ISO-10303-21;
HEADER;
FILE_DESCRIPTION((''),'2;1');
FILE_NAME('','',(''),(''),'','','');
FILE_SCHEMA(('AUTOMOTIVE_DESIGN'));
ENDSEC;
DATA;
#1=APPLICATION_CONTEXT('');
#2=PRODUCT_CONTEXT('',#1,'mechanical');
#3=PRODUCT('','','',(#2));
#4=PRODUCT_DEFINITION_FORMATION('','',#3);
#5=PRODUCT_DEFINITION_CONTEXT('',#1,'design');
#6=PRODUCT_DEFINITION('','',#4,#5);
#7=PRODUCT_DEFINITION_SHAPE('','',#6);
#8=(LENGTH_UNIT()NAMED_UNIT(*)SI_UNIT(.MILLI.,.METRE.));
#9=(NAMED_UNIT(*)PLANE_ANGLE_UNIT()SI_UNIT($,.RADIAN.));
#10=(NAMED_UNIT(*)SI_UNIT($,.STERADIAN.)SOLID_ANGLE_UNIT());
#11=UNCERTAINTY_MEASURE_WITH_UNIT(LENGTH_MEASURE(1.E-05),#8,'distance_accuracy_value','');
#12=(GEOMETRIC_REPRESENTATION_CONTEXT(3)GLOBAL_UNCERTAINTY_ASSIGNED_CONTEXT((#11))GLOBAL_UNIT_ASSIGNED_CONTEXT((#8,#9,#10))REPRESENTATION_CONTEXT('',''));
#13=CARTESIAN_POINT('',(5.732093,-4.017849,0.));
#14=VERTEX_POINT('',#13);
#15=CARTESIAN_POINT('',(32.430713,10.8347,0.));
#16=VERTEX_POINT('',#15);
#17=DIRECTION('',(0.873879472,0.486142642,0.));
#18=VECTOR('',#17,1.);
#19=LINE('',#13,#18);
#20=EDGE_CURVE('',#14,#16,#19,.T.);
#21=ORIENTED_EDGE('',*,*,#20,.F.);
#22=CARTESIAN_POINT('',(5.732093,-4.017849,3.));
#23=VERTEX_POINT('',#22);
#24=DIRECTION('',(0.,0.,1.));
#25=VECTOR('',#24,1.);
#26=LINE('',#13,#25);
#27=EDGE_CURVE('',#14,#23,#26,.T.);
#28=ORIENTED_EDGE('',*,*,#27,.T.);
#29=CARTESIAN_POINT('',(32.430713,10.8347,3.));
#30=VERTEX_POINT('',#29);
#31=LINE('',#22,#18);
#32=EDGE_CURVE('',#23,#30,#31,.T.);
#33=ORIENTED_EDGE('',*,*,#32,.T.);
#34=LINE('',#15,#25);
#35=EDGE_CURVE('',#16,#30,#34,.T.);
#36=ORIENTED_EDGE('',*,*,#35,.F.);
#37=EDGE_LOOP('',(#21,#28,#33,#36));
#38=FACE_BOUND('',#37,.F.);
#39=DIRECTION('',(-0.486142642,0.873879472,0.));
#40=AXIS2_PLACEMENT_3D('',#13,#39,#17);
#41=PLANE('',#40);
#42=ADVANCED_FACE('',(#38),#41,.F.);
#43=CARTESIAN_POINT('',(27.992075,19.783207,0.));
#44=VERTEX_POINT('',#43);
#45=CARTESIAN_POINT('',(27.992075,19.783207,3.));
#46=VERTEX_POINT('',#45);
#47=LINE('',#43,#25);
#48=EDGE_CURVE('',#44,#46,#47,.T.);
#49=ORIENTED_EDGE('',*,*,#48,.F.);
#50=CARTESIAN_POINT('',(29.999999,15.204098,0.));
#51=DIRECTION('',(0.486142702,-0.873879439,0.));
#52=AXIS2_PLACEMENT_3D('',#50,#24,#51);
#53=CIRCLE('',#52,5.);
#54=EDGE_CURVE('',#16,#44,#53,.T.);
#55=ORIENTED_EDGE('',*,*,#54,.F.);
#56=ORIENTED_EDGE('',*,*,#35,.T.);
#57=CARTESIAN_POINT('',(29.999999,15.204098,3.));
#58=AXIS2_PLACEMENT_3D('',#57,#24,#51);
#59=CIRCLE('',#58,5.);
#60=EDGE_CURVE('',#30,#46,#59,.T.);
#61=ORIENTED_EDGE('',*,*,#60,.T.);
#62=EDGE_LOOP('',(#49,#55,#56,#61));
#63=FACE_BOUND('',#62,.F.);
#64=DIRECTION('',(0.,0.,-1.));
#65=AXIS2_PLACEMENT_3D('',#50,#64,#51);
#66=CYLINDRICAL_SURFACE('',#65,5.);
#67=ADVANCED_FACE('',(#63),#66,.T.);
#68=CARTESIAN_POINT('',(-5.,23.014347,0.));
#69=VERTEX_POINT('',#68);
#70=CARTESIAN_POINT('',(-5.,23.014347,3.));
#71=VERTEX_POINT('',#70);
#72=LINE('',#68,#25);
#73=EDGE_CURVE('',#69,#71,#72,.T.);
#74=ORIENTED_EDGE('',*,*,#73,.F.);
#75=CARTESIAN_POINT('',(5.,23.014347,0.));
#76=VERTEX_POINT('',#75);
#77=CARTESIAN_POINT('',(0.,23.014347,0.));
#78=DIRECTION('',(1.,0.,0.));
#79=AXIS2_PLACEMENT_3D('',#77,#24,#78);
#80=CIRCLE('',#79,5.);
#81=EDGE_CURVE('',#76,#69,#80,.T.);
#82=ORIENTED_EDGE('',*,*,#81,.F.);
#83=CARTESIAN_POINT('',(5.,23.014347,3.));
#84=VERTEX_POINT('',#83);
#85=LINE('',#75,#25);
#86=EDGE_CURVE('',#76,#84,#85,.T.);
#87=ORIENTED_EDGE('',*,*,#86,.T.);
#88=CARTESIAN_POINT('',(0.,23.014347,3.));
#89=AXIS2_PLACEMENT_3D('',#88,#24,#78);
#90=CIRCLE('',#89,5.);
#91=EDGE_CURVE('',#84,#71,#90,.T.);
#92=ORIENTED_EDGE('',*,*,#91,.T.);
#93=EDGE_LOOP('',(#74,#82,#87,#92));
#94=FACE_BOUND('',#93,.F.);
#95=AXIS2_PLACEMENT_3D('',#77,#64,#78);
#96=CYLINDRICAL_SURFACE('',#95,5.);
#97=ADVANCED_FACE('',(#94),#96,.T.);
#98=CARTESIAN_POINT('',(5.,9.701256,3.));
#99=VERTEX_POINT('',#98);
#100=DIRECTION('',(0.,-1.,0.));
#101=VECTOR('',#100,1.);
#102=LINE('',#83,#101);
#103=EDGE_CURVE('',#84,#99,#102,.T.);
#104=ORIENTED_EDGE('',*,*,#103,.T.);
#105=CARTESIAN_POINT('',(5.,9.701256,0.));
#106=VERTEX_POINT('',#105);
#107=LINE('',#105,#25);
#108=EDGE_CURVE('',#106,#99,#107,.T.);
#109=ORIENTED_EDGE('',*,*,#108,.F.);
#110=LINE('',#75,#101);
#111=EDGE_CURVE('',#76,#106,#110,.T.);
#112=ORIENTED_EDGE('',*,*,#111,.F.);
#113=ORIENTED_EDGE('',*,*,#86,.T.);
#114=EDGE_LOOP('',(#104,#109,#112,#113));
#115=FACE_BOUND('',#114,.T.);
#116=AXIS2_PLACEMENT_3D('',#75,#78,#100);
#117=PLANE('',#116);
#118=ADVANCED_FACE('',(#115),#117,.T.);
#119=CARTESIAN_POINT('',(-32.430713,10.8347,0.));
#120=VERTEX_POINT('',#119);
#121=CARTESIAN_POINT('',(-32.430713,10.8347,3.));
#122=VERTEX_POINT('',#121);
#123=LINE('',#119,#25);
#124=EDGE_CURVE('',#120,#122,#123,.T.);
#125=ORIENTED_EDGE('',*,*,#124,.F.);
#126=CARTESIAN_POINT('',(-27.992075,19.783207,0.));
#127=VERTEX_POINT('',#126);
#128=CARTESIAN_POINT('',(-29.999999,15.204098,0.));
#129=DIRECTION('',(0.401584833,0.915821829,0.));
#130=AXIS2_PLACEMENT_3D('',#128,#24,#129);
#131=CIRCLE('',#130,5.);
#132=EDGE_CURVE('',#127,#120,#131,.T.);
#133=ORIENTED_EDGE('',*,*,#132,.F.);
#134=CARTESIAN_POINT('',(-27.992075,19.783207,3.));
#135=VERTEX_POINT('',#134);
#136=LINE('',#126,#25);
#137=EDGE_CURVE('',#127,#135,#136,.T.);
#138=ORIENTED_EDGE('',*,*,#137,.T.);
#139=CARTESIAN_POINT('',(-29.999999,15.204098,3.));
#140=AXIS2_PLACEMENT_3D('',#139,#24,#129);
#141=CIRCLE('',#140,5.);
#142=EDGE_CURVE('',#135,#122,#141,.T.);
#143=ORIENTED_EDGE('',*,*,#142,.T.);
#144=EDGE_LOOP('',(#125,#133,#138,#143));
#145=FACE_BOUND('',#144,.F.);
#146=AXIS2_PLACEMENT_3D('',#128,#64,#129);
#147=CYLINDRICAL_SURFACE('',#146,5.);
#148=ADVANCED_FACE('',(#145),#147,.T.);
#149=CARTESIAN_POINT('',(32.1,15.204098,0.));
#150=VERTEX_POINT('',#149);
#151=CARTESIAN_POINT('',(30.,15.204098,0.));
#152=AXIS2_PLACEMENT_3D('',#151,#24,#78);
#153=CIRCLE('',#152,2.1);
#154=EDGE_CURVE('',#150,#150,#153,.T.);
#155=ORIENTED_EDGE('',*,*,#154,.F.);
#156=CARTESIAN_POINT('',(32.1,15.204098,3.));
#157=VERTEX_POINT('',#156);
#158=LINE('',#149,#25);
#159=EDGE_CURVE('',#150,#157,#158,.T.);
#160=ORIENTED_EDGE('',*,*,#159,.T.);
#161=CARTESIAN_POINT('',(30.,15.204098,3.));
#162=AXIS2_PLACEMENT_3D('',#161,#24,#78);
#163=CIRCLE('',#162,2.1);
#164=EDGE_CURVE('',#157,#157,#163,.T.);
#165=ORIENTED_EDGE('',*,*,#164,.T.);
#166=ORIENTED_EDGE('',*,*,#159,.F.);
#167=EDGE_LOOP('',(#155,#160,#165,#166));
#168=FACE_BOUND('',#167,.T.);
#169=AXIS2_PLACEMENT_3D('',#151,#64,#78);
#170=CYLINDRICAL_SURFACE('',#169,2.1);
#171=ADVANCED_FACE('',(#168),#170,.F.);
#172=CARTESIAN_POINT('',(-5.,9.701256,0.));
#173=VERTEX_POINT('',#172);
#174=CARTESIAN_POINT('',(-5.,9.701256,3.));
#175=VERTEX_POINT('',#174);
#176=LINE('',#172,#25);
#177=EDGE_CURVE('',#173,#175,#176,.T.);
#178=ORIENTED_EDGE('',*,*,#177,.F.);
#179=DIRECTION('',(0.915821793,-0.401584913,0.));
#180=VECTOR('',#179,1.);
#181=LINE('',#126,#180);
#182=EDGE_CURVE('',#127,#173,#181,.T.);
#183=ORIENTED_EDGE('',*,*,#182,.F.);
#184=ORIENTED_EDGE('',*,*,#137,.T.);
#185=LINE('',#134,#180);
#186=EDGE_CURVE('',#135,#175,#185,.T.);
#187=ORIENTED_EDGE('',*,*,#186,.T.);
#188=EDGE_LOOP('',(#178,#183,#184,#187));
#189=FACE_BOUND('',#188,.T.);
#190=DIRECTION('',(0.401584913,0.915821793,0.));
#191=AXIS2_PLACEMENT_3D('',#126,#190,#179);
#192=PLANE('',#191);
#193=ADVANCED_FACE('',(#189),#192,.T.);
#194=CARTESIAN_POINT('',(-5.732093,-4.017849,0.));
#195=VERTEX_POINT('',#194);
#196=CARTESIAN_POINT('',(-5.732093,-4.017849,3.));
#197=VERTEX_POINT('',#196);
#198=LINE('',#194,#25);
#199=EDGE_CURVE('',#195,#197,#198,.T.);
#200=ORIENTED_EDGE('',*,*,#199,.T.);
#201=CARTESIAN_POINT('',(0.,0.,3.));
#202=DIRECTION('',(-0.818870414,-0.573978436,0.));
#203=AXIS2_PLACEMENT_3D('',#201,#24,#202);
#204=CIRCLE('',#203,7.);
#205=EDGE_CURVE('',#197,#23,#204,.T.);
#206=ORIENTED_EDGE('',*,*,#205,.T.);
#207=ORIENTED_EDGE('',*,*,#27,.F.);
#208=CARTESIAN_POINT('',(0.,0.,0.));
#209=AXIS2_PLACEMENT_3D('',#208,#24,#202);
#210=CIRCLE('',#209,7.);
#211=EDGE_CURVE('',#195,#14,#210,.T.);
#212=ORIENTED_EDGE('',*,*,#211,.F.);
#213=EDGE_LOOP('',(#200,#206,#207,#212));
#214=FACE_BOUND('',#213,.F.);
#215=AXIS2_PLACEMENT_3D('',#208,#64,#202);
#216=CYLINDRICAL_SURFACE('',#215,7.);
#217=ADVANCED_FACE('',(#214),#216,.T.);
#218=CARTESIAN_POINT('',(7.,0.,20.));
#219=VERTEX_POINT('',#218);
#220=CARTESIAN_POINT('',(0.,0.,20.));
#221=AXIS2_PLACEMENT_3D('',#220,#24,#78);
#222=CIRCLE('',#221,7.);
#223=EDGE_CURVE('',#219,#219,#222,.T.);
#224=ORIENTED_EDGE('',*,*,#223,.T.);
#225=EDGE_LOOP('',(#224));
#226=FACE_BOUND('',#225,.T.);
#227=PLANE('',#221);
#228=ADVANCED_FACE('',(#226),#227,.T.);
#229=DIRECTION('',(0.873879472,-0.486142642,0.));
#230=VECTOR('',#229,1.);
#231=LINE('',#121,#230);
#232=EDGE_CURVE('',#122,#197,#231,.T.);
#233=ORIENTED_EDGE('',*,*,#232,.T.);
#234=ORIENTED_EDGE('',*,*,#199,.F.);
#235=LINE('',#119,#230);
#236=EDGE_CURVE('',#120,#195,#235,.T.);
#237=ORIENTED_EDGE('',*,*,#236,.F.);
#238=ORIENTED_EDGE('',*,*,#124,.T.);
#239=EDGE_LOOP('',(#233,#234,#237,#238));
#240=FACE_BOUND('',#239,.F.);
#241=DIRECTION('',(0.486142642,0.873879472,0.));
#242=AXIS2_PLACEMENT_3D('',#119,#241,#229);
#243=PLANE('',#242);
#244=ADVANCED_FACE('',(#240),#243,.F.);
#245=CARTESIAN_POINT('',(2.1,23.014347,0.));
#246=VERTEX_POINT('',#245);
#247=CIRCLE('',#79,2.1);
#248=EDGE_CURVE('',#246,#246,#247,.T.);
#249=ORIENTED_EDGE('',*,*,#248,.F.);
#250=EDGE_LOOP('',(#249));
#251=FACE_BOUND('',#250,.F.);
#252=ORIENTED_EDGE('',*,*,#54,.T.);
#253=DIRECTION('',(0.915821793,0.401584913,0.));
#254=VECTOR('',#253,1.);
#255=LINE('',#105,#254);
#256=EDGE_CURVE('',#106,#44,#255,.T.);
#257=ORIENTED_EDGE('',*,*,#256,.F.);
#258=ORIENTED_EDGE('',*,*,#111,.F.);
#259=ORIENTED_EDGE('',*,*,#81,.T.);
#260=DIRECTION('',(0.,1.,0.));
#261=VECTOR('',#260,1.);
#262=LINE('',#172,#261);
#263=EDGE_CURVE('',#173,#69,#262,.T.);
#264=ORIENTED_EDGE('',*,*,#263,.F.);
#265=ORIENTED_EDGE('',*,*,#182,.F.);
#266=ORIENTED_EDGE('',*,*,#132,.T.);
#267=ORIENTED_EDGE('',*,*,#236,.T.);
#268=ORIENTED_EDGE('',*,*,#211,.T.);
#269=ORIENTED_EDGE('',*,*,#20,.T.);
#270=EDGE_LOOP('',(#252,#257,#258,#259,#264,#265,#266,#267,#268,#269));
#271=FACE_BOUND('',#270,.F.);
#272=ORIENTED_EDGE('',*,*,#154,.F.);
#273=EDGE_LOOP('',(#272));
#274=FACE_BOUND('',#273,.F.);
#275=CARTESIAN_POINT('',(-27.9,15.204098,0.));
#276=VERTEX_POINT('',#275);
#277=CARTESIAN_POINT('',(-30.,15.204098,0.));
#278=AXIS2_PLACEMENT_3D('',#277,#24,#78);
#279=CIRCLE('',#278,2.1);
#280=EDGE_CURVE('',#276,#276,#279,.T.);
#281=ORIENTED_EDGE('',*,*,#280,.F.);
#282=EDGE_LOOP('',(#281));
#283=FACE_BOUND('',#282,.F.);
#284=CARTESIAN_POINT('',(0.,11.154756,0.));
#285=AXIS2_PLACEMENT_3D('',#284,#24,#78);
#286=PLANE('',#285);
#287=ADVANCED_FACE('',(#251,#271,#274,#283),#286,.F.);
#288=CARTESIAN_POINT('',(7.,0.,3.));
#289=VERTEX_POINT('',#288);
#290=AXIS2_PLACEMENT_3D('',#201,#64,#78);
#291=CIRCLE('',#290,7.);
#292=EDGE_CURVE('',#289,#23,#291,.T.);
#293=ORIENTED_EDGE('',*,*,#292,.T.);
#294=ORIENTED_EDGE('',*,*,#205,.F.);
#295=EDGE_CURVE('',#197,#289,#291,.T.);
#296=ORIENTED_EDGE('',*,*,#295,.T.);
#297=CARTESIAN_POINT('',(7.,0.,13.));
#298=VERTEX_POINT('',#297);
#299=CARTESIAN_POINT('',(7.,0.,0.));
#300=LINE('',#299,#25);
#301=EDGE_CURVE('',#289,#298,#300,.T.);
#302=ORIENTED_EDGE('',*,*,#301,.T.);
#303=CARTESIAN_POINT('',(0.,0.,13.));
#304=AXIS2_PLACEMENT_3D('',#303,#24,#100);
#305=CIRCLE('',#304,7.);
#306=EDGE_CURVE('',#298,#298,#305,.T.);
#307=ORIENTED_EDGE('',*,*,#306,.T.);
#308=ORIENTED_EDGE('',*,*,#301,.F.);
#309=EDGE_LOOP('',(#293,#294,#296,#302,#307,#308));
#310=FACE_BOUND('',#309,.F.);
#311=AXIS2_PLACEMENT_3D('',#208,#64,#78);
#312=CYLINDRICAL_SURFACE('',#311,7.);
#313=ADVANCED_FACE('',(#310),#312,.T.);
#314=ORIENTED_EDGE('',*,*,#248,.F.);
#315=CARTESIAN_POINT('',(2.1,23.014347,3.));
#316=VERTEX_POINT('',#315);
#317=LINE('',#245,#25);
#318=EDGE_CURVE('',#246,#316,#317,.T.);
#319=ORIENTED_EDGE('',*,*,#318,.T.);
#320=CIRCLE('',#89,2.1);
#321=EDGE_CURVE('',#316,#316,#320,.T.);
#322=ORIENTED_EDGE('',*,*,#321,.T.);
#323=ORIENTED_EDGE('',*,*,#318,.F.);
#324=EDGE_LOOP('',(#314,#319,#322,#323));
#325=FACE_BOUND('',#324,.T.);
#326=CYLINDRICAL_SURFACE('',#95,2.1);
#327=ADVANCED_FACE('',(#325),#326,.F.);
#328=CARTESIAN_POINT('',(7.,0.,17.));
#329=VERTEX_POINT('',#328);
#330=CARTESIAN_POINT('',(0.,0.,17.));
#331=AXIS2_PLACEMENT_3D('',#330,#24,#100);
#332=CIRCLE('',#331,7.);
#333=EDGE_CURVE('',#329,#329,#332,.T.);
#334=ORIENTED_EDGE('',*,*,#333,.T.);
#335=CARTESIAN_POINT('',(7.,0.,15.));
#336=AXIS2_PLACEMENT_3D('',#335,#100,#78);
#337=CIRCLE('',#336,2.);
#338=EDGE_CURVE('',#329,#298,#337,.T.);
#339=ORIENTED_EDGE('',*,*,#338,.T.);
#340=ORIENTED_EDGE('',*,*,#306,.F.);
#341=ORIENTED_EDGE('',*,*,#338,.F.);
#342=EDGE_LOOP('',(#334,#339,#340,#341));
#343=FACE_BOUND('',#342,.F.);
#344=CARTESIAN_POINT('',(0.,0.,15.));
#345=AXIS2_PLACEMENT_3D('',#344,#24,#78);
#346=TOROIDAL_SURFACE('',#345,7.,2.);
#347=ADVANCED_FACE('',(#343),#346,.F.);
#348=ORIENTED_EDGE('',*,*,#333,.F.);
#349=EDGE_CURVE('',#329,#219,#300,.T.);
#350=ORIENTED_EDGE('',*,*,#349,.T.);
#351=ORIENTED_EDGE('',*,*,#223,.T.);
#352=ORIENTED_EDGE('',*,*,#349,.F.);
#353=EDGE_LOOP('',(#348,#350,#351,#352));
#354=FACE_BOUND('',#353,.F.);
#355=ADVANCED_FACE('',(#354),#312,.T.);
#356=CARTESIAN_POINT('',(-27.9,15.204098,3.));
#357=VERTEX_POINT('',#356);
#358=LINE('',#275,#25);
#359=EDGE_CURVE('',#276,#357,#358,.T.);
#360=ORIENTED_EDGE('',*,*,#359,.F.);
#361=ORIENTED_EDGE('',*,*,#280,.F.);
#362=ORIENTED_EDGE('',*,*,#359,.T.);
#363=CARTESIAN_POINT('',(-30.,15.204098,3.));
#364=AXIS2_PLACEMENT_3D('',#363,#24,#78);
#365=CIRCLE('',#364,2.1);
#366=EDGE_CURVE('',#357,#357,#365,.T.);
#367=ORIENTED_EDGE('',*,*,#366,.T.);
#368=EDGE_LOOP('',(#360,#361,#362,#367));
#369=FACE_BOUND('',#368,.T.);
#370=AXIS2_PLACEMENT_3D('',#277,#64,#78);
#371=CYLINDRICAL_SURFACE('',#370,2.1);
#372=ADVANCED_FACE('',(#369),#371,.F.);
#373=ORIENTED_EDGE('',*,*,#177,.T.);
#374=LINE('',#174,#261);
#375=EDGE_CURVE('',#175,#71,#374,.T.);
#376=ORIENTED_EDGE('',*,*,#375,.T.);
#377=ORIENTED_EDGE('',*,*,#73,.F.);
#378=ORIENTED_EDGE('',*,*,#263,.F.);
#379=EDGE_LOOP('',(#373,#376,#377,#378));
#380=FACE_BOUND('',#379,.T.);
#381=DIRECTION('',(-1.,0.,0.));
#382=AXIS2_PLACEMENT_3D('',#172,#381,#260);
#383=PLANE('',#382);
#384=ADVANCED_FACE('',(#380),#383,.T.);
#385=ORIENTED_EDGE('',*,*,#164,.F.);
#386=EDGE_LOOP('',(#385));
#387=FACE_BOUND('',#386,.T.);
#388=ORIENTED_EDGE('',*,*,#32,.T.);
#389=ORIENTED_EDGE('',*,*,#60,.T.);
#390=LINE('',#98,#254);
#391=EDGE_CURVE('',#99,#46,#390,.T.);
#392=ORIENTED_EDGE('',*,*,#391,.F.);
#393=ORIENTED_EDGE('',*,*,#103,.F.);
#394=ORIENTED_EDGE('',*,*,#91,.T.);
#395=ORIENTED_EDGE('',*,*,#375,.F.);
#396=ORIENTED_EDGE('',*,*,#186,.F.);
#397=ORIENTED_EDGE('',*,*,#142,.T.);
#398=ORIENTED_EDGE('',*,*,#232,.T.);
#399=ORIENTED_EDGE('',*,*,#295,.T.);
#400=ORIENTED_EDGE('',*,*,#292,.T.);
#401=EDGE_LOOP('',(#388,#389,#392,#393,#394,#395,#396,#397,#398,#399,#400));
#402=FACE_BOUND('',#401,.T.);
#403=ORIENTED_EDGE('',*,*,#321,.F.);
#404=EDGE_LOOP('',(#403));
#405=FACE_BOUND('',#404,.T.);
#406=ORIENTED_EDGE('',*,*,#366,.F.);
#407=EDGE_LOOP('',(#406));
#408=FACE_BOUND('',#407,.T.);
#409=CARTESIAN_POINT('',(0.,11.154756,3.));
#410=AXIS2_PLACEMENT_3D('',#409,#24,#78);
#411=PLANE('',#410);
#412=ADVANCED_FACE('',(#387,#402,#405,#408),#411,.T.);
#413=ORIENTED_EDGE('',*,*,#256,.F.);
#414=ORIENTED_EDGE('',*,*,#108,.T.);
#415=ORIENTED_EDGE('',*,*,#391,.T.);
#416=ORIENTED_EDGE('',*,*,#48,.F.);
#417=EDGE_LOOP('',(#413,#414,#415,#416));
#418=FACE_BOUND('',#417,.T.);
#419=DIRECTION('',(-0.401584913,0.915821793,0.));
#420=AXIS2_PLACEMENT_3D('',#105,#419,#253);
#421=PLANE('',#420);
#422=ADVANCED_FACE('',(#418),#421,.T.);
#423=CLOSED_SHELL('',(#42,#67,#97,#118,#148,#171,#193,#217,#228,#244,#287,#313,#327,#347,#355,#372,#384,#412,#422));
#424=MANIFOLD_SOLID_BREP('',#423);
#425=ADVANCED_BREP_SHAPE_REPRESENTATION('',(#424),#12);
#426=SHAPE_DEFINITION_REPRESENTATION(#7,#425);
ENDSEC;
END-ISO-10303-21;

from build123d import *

# Parameters (mm, degrees)
TORUS001_R        = 2
SKETCH003_R       = 2.1
PAD003_DEPTH      = 3
CYLINDER005_R     = 7
CYLINDER005_DEPTH = 20


with BuildPart() as torus001:
    # Torus001 → Torus001 (revolve)
    with BuildSketch(Plane(origin=(0, 0, 15), x_dir=(1, 0, 0), z_dir=(0, -1, 0))):
        with Locations((7, 0)):
            Circle(TORUS001_R)
    revolve(axis=Axis((0, 0, 15), (0, 0, 1)))


with BuildPart() as base_body001:
    # Sketch003 → Pad003 (new body)
    with BuildSketch(Plane.XY):
        with BuildLine():
            Line((-32.430713, 10.8347), (-5.732093, -4.017849))
            ThreePointArc((-5.732093, -4.017849), (0, -7), (5.732093, -4.017849))
            Line((5.732093, -4.017849), (32.430713, 10.8347))
            ThreePointArc((32.430713, 10.8347), (34.479244, 17.425892), (27.992075, 19.783207))
            Line((5, 9.701256), (27.992075, 19.783207))
            Line((5, 23.014347), (5, 9.701256))
            ThreePointArc((5, 23.014347), (0, 28.014347), (-5, 23.014347))
            Line((-5, 9.701256), (-5, 23.014347))
            Line((-27.992075, 19.783207), (-5, 9.701256))
            ThreePointArc((-27.992075, 19.783207), (-34.479244, 17.425892), (-32.430713, 10.8347))
        make_face()
        with Locations((-30, 15.204098)):
            Circle(SKETCH003_R, mode=Mode.SUBTRACT)
        with Locations((30, 15.204098)):
            Circle(SKETCH003_R, mode=Mode.SUBTRACT)
        with Locations((0, 23.014347)):
            Circle(SKETCH003_R, mode=Mode.SUBTRACT)
    extrude(amount=PAD003_DEPTH)


with BuildPart() as base_cut_for_big_metal_plate:
    # Cylinder005 → Cylinder005 (new body)
    with BuildSketch(Plane.XY):
        Circle(CYLINDER005_R)
    extrude(amount=CYLINDER005_DEPTH)

    # Fusion005: union base body001
    add(base_body001.part)

    # Cut003004: cut Torus001
    add(torus001.part, mode=Mode.SUBTRACT)


solid = base_cut_for_big_metal_plate.part
